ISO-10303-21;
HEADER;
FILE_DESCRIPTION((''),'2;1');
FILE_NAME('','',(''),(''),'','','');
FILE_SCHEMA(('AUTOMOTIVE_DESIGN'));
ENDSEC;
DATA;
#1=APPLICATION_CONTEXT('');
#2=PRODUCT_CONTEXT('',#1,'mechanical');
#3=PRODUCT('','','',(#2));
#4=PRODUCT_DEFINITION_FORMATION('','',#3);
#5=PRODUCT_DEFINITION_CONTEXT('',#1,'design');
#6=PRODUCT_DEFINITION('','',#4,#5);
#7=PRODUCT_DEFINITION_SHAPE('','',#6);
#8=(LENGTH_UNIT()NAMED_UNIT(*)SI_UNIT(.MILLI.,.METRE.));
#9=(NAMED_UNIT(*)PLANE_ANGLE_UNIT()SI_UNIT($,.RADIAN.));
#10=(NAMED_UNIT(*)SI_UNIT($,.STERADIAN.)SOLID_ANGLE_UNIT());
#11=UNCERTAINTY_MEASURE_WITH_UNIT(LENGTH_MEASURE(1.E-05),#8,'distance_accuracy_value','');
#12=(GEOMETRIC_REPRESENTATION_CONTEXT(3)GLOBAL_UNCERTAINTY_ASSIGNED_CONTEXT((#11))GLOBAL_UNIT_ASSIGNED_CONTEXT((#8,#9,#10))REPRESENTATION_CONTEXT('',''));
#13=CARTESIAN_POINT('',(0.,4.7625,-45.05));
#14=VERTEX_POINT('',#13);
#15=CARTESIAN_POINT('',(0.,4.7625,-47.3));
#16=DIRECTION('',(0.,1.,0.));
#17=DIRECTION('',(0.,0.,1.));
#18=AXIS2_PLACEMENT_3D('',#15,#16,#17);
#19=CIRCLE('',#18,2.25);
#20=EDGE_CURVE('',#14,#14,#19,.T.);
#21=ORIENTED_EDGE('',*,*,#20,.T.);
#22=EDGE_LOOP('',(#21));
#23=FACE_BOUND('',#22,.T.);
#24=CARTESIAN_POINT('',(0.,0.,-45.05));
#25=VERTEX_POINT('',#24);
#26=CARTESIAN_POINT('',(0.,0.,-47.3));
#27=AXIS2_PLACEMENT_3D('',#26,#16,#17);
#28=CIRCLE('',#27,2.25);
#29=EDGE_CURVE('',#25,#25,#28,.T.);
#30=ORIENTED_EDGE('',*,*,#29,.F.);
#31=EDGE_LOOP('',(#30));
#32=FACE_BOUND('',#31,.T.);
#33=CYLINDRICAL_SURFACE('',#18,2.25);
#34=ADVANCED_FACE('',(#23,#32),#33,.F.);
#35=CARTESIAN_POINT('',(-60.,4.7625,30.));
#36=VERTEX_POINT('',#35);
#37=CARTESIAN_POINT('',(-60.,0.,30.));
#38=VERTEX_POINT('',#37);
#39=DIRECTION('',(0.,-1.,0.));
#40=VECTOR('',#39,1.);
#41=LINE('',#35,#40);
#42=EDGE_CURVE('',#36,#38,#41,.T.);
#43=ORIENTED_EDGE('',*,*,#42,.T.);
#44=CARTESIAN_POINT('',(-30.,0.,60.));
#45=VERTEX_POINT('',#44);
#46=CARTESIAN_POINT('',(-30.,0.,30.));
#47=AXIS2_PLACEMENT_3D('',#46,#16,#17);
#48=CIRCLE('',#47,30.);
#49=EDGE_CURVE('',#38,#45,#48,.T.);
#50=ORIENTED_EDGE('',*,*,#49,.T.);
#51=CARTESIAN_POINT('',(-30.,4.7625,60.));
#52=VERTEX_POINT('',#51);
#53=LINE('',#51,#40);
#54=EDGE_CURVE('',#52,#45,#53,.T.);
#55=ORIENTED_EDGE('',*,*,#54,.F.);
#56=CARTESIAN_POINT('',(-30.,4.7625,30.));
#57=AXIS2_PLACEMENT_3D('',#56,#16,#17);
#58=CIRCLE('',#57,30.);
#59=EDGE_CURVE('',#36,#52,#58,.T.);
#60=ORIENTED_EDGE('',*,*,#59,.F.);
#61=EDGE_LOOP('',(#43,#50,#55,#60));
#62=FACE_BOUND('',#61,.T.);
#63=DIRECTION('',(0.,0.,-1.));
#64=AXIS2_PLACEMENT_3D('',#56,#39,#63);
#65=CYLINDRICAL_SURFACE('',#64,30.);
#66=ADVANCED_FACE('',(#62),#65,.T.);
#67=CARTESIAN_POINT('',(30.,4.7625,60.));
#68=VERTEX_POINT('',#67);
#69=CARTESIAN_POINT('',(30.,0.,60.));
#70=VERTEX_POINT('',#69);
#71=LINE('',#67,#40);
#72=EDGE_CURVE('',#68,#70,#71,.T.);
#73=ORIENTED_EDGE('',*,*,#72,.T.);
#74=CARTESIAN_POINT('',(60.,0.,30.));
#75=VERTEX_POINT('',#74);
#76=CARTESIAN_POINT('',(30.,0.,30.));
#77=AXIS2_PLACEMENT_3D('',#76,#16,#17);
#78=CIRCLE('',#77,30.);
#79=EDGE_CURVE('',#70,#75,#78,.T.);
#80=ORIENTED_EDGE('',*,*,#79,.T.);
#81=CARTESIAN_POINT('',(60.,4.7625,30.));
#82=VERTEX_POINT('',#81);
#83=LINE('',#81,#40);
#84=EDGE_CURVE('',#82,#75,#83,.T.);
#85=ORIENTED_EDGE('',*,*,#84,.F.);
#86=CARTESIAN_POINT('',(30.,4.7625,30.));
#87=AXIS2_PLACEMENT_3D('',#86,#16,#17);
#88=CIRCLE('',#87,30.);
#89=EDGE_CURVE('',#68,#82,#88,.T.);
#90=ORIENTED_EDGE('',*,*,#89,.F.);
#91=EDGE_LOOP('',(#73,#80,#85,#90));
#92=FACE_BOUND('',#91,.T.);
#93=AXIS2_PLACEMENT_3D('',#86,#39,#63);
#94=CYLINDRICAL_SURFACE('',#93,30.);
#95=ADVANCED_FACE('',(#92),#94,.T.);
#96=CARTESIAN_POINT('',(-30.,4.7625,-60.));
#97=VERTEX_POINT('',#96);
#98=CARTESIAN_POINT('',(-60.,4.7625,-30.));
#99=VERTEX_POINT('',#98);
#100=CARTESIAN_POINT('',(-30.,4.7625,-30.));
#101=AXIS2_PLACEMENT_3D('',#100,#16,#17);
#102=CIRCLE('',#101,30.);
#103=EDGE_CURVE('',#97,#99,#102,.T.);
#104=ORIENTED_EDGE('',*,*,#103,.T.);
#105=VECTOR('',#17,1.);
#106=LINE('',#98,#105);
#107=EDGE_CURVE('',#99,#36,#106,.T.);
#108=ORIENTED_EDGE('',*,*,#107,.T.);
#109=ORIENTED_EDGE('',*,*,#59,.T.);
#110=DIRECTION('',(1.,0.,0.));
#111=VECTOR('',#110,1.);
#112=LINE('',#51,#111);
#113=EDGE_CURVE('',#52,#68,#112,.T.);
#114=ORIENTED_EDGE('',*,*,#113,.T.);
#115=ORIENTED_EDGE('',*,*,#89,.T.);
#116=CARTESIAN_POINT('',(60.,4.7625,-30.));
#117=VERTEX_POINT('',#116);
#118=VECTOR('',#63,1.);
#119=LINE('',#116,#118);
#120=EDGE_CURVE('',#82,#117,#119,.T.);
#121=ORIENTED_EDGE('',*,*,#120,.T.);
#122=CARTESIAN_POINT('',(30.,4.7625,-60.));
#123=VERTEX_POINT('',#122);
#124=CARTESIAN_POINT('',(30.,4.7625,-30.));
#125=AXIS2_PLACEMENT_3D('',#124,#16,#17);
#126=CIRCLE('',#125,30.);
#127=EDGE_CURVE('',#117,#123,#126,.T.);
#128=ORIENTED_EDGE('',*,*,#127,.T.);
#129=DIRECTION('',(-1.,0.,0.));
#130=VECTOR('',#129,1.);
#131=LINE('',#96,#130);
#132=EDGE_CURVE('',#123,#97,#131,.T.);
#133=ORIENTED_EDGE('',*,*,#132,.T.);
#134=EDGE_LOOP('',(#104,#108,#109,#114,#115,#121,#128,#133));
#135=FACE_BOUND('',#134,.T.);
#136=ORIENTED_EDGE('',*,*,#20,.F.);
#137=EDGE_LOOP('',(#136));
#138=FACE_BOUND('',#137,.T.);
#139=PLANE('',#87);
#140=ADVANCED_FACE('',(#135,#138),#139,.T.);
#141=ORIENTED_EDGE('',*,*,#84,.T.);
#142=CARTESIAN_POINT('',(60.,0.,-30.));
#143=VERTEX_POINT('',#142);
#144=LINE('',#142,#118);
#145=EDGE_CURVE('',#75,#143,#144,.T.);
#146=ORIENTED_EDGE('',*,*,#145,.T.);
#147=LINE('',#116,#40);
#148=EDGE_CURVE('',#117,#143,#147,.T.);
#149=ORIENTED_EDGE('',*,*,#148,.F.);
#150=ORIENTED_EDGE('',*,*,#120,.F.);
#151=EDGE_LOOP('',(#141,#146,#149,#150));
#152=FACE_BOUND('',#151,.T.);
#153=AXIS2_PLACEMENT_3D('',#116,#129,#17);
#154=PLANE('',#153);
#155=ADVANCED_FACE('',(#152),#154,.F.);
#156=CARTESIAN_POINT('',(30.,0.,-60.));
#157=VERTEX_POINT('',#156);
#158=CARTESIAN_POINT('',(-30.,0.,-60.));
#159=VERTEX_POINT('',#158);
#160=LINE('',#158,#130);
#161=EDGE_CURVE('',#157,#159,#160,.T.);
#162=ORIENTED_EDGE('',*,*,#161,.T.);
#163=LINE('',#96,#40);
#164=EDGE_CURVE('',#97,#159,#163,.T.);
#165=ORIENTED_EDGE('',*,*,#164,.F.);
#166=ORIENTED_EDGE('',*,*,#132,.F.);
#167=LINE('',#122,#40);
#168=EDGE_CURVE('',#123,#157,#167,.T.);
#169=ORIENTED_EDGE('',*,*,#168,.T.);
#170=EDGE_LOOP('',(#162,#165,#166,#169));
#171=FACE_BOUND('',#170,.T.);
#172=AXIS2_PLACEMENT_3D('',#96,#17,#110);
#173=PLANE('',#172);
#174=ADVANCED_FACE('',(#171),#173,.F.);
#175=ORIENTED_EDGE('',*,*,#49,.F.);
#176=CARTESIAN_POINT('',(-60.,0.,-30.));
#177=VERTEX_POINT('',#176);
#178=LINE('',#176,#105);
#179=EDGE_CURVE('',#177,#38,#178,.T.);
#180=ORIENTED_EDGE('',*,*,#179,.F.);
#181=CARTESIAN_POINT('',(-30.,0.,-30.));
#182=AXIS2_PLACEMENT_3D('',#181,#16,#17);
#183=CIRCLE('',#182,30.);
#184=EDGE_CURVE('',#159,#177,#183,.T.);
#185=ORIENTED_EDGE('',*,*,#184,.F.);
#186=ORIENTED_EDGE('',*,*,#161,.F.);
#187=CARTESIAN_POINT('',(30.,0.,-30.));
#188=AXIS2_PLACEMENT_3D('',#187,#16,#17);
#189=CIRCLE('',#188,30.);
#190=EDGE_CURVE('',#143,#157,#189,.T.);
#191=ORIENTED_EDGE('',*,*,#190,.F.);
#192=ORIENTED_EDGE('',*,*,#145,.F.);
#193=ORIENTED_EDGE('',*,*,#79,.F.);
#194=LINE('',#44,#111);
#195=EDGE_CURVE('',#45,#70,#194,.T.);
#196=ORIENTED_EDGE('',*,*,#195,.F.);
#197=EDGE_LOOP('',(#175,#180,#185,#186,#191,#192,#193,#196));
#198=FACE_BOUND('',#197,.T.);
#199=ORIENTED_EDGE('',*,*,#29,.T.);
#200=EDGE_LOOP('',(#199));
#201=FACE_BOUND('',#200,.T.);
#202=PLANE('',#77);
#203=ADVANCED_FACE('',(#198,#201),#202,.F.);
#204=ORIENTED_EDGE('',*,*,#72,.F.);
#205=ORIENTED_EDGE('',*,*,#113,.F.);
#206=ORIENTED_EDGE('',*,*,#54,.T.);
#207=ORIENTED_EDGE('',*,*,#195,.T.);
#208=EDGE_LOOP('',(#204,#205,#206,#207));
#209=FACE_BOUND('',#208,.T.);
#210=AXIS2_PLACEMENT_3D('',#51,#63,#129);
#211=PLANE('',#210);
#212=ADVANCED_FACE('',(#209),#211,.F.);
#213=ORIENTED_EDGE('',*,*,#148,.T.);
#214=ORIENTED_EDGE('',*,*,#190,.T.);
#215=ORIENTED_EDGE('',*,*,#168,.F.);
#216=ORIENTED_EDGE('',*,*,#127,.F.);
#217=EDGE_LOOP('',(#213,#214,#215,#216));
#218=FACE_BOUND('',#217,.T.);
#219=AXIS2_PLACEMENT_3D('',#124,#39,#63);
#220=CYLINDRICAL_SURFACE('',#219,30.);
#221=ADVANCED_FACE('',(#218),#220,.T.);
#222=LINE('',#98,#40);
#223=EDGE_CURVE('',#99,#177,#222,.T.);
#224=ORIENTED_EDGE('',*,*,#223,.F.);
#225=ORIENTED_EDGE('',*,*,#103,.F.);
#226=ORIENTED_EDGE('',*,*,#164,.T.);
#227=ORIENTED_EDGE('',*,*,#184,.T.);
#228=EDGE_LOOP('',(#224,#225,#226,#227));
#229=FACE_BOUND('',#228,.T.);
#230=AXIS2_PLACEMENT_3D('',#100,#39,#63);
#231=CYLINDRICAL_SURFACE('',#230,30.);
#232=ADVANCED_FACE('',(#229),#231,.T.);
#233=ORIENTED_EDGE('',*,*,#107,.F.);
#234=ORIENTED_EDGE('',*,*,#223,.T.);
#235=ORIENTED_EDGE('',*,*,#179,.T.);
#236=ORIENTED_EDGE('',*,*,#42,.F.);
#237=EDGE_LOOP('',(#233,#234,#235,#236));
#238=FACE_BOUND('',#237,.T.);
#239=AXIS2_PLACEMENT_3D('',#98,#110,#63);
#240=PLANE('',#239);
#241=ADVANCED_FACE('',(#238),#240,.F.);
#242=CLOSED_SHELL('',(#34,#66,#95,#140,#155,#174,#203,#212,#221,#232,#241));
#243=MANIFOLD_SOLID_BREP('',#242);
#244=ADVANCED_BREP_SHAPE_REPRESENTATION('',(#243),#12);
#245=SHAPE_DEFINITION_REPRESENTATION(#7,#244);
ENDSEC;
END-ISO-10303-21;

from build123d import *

# Parameters (mm, degrees)
BOSS_EXTRUDE1_DEPTH      = 4.7625
M4_CLEARANCE_HOLE1_D     = 4.5
M4_CLEARANCE_HOLE1_DEPTH = 50
M4_CLEARANCE_HOLE1_TIP   = 1.351936393


with BuildPart() as part:
    # Sketch1 → Boss-Extrude1 (new body)
    with BuildSketch(Plane(origin=(0, 0, 0), x_dir=(1, 0, 0), z_dir=(0, 1, 0))):
        with BuildLine():
            Line((-30, 60), (30, 60))
            ThreePointArc((30, 60), (51.213203436, 51.213203436), (60, 30))
            Line((60, 30), (60, -30))
            ThreePointArc((60, -30), (51.213203436, -51.213203436), (30, -60))
            Line((30, -60), (-30, -60))
            ThreePointArc((-30, -60), (-51.213203436, -51.213203436), (-60, -30))
            Line((-60, -30), (-60, 30))
            ThreePointArc((-60, 30), (-51.213203436, 51.213203436), (-30, 60))
        make_face()
    extrude(amount=BOSS_EXTRUDE1_DEPTH)

    # M4 Clearance Hole1
    with Locations(Plane(origin=(0, 4.7625, 0), x_dir=(1, 0, 0), z_dir=(0, 1, 0))):
        with Locations((0, 47.3)):
            Hole(M4_CLEARANCE_HOLE1_D / 2, depth=M4_CLEARANCE_HOLE1_DEPTH)
            with Locations((0, 0, -(M4_CLEARANCE_HOLE1_DEPTH + M4_CLEARANCE_HOLE1_TIP / 2))):  # 118° drill point
                Cone(0, M4_CLEARANCE_HOLE1_D / 2, M4_CLEARANCE_HOLE1_TIP, mode=Mode.SUBTRACT)


solid = part.part
